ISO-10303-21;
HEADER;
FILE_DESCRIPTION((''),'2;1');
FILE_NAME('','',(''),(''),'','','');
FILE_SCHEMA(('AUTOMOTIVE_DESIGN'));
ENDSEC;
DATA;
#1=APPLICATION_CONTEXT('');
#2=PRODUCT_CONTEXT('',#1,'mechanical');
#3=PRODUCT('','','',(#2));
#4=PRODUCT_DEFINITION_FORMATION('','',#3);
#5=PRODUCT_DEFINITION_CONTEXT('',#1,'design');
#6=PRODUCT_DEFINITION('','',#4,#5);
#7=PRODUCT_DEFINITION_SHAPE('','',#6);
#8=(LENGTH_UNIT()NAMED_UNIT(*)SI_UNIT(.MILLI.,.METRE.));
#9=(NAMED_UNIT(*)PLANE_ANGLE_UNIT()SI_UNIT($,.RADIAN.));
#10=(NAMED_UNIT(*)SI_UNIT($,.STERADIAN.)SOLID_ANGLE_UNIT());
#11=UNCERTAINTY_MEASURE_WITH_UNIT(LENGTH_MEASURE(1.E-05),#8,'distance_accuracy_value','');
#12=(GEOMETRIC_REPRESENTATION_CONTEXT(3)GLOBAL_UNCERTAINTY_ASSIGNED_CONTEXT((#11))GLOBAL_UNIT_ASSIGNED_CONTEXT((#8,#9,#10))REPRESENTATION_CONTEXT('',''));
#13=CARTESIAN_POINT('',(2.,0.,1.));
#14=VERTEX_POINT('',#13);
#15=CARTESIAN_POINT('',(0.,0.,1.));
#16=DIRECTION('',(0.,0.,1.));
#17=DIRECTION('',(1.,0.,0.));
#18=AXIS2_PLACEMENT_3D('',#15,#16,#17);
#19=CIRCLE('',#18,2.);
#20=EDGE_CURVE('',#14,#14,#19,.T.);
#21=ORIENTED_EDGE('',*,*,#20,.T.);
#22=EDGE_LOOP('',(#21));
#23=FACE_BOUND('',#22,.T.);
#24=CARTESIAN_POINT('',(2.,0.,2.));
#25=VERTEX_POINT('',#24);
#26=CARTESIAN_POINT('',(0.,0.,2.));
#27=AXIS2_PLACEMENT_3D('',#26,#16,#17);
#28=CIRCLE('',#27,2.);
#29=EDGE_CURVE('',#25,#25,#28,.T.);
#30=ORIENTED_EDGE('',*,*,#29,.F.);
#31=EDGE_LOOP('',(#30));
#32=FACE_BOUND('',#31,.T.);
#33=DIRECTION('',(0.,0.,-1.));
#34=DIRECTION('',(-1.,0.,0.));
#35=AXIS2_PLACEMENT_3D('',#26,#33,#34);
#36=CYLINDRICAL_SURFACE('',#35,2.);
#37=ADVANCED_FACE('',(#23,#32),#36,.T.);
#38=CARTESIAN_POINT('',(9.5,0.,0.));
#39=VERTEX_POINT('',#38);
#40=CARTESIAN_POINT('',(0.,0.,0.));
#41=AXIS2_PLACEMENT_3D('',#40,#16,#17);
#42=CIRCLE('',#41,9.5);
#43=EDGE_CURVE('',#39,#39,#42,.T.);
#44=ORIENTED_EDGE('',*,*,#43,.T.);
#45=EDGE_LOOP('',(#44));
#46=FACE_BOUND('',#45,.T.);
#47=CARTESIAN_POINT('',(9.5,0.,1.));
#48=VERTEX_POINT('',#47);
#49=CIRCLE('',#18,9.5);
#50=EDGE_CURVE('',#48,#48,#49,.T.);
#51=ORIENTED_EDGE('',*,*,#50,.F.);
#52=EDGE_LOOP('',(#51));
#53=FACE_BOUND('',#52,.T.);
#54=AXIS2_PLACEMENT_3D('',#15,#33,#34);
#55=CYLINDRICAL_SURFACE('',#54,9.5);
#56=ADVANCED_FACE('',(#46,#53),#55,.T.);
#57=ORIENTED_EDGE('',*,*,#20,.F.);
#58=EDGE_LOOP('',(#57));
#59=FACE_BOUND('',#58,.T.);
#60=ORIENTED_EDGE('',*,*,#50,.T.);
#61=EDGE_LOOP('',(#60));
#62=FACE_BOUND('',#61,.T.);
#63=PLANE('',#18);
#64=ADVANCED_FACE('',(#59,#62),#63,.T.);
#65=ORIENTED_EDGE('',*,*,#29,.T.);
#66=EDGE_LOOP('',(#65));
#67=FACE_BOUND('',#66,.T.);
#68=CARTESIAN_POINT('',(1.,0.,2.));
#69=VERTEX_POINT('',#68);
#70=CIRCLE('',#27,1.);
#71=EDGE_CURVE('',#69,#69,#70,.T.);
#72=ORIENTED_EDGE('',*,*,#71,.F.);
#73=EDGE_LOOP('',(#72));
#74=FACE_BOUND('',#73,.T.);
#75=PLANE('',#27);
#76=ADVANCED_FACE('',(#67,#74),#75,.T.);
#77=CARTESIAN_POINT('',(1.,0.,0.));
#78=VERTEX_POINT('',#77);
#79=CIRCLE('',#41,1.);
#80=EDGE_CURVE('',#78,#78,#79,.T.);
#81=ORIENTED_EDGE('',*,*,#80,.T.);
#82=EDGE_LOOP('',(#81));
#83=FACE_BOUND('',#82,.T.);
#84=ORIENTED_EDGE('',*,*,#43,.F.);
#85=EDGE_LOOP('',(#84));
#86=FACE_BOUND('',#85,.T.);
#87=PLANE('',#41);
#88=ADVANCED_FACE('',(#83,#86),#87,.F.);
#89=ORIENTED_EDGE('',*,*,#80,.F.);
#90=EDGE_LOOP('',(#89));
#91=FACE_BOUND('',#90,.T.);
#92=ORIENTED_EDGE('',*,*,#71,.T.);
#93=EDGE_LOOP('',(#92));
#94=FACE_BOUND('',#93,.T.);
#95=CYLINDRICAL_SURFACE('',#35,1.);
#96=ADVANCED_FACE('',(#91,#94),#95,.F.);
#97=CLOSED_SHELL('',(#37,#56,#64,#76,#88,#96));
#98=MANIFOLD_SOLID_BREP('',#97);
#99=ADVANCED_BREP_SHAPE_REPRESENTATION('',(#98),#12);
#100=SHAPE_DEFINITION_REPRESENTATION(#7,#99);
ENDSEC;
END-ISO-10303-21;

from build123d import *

# Parameters (mm, degrees)
SKETCH1_R           = 9.5
SKETCH1_R_2         = 2
BOSS_EXTRUDE1_DEPTH = 1
SKETCH1_3_R         = 2
SKETCH1_3_R_2       = 1
BOSS_EXTRUDE2_DEPTH = 2


with BuildPart() as part:
    # Sketch1 → Boss-Extrude1 (new body)
    with BuildSketch(Plane.XY):
        Circle(SKETCH1_R)
        Circle(SKETCH1_R_2, mode=Mode.SUBTRACT)
    extrude(amount=BOSS_EXTRUDE1_DEPTH)

    # Sketch1<3> → Boss-Extrude2 (add)
    with BuildSketch(Plane.XY):
        Circle(SKETCH1_3_R)
        Circle(SKETCH1_3_R_2, mode=Mode.SUBTRACT)
    extrude(amount=BOSS_EXTRUDE2_DEPTH)


solid = part.part
